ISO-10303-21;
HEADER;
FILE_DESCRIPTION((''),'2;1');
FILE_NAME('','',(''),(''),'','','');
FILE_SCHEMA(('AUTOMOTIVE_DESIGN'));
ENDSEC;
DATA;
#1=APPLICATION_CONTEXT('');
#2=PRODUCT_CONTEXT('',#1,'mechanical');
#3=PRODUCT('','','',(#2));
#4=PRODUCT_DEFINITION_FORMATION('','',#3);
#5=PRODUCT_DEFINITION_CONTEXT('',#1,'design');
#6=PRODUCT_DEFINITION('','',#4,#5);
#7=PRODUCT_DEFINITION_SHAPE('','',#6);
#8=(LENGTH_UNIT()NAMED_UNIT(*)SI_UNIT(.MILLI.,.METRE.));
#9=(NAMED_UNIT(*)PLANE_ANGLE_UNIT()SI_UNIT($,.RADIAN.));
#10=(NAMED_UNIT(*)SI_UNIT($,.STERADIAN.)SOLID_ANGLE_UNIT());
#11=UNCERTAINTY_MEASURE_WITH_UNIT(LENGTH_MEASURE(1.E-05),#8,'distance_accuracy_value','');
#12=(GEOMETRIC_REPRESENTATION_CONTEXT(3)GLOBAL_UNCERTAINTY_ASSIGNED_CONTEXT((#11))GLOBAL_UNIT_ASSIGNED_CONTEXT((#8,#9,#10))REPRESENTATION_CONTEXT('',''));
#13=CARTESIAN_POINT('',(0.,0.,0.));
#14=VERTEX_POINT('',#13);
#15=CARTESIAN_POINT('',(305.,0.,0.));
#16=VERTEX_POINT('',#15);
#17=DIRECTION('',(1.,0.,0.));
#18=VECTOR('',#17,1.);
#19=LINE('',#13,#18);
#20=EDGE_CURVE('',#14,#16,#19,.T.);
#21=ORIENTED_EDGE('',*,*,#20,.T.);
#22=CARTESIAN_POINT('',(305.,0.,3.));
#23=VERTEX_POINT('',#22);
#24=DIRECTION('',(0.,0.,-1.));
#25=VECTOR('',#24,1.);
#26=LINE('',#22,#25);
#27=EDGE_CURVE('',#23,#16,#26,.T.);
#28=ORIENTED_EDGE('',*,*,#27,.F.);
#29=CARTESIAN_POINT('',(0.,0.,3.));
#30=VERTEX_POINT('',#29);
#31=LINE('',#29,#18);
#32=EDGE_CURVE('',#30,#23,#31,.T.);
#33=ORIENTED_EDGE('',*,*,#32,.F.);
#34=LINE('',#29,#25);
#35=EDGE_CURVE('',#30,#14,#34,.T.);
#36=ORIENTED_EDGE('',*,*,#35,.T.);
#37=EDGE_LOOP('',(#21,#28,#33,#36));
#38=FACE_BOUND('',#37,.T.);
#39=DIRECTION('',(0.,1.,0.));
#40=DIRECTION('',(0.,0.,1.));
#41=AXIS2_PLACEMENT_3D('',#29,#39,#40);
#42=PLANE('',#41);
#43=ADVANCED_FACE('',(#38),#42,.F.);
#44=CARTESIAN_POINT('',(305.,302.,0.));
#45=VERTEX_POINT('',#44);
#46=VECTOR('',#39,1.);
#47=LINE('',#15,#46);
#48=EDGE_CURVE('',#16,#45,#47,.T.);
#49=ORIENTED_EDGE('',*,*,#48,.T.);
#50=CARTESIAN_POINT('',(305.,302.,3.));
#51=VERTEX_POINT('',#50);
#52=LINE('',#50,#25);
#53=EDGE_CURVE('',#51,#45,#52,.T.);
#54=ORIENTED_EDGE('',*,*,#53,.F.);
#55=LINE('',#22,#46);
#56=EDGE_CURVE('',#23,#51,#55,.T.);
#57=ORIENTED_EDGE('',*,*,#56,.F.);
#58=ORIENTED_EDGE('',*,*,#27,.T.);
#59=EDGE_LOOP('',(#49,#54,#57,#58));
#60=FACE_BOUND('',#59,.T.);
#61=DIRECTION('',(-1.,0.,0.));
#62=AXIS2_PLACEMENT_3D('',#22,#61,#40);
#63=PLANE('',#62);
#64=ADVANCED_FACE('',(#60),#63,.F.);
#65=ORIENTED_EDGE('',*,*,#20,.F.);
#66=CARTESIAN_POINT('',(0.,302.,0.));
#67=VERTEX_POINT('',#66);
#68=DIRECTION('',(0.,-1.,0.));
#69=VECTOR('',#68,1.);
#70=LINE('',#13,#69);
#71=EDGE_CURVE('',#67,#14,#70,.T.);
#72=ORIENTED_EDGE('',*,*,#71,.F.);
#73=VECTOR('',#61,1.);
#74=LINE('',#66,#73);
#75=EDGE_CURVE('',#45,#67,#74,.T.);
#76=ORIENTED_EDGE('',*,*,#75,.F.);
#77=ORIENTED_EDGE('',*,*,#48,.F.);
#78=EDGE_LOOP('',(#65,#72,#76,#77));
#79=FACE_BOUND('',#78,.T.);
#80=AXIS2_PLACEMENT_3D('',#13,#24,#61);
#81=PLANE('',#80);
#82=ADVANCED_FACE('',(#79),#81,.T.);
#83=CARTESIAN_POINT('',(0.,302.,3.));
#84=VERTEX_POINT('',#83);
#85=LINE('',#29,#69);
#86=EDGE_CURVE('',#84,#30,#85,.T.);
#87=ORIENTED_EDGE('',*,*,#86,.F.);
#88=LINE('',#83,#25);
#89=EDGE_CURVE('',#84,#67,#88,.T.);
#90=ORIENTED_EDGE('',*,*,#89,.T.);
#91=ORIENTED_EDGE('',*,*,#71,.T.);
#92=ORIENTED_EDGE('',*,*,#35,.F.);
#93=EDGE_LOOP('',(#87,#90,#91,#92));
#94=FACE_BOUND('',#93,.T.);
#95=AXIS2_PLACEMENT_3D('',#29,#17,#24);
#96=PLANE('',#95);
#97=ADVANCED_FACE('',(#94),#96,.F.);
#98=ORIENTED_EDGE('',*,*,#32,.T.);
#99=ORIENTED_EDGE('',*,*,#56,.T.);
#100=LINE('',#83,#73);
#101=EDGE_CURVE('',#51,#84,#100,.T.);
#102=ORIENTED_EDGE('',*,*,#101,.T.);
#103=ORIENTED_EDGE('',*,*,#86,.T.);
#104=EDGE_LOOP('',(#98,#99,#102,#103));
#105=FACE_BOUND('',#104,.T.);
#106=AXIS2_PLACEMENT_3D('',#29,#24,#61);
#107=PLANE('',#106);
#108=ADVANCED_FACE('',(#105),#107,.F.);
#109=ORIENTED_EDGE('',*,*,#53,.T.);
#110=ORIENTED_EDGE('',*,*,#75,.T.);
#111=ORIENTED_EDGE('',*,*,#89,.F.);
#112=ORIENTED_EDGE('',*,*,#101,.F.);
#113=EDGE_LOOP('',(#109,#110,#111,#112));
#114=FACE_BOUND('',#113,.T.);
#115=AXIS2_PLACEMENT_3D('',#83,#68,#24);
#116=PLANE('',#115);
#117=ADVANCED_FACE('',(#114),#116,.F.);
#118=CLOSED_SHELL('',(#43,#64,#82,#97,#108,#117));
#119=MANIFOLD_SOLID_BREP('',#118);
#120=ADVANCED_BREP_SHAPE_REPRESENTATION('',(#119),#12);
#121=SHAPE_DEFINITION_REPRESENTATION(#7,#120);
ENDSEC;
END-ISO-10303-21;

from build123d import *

# Parameters (mm, degrees)
CROQUIS1_W              = 305
CROQUIS1_H              = 302
SALIENTE_EXTRUIR1_DEPTH = 3


with BuildPart() as part:
    # Croquis1 → Saliente-Extruir1 (new body)
    with BuildSketch(Plane.XY):
        with Locations((152.5, 151)):
            Rectangle(CROQUIS1_W, CROQUIS1_H)
    extrude(amount=SALIENTE_EXTRUIR1_DEPTH)


solid = part.part
